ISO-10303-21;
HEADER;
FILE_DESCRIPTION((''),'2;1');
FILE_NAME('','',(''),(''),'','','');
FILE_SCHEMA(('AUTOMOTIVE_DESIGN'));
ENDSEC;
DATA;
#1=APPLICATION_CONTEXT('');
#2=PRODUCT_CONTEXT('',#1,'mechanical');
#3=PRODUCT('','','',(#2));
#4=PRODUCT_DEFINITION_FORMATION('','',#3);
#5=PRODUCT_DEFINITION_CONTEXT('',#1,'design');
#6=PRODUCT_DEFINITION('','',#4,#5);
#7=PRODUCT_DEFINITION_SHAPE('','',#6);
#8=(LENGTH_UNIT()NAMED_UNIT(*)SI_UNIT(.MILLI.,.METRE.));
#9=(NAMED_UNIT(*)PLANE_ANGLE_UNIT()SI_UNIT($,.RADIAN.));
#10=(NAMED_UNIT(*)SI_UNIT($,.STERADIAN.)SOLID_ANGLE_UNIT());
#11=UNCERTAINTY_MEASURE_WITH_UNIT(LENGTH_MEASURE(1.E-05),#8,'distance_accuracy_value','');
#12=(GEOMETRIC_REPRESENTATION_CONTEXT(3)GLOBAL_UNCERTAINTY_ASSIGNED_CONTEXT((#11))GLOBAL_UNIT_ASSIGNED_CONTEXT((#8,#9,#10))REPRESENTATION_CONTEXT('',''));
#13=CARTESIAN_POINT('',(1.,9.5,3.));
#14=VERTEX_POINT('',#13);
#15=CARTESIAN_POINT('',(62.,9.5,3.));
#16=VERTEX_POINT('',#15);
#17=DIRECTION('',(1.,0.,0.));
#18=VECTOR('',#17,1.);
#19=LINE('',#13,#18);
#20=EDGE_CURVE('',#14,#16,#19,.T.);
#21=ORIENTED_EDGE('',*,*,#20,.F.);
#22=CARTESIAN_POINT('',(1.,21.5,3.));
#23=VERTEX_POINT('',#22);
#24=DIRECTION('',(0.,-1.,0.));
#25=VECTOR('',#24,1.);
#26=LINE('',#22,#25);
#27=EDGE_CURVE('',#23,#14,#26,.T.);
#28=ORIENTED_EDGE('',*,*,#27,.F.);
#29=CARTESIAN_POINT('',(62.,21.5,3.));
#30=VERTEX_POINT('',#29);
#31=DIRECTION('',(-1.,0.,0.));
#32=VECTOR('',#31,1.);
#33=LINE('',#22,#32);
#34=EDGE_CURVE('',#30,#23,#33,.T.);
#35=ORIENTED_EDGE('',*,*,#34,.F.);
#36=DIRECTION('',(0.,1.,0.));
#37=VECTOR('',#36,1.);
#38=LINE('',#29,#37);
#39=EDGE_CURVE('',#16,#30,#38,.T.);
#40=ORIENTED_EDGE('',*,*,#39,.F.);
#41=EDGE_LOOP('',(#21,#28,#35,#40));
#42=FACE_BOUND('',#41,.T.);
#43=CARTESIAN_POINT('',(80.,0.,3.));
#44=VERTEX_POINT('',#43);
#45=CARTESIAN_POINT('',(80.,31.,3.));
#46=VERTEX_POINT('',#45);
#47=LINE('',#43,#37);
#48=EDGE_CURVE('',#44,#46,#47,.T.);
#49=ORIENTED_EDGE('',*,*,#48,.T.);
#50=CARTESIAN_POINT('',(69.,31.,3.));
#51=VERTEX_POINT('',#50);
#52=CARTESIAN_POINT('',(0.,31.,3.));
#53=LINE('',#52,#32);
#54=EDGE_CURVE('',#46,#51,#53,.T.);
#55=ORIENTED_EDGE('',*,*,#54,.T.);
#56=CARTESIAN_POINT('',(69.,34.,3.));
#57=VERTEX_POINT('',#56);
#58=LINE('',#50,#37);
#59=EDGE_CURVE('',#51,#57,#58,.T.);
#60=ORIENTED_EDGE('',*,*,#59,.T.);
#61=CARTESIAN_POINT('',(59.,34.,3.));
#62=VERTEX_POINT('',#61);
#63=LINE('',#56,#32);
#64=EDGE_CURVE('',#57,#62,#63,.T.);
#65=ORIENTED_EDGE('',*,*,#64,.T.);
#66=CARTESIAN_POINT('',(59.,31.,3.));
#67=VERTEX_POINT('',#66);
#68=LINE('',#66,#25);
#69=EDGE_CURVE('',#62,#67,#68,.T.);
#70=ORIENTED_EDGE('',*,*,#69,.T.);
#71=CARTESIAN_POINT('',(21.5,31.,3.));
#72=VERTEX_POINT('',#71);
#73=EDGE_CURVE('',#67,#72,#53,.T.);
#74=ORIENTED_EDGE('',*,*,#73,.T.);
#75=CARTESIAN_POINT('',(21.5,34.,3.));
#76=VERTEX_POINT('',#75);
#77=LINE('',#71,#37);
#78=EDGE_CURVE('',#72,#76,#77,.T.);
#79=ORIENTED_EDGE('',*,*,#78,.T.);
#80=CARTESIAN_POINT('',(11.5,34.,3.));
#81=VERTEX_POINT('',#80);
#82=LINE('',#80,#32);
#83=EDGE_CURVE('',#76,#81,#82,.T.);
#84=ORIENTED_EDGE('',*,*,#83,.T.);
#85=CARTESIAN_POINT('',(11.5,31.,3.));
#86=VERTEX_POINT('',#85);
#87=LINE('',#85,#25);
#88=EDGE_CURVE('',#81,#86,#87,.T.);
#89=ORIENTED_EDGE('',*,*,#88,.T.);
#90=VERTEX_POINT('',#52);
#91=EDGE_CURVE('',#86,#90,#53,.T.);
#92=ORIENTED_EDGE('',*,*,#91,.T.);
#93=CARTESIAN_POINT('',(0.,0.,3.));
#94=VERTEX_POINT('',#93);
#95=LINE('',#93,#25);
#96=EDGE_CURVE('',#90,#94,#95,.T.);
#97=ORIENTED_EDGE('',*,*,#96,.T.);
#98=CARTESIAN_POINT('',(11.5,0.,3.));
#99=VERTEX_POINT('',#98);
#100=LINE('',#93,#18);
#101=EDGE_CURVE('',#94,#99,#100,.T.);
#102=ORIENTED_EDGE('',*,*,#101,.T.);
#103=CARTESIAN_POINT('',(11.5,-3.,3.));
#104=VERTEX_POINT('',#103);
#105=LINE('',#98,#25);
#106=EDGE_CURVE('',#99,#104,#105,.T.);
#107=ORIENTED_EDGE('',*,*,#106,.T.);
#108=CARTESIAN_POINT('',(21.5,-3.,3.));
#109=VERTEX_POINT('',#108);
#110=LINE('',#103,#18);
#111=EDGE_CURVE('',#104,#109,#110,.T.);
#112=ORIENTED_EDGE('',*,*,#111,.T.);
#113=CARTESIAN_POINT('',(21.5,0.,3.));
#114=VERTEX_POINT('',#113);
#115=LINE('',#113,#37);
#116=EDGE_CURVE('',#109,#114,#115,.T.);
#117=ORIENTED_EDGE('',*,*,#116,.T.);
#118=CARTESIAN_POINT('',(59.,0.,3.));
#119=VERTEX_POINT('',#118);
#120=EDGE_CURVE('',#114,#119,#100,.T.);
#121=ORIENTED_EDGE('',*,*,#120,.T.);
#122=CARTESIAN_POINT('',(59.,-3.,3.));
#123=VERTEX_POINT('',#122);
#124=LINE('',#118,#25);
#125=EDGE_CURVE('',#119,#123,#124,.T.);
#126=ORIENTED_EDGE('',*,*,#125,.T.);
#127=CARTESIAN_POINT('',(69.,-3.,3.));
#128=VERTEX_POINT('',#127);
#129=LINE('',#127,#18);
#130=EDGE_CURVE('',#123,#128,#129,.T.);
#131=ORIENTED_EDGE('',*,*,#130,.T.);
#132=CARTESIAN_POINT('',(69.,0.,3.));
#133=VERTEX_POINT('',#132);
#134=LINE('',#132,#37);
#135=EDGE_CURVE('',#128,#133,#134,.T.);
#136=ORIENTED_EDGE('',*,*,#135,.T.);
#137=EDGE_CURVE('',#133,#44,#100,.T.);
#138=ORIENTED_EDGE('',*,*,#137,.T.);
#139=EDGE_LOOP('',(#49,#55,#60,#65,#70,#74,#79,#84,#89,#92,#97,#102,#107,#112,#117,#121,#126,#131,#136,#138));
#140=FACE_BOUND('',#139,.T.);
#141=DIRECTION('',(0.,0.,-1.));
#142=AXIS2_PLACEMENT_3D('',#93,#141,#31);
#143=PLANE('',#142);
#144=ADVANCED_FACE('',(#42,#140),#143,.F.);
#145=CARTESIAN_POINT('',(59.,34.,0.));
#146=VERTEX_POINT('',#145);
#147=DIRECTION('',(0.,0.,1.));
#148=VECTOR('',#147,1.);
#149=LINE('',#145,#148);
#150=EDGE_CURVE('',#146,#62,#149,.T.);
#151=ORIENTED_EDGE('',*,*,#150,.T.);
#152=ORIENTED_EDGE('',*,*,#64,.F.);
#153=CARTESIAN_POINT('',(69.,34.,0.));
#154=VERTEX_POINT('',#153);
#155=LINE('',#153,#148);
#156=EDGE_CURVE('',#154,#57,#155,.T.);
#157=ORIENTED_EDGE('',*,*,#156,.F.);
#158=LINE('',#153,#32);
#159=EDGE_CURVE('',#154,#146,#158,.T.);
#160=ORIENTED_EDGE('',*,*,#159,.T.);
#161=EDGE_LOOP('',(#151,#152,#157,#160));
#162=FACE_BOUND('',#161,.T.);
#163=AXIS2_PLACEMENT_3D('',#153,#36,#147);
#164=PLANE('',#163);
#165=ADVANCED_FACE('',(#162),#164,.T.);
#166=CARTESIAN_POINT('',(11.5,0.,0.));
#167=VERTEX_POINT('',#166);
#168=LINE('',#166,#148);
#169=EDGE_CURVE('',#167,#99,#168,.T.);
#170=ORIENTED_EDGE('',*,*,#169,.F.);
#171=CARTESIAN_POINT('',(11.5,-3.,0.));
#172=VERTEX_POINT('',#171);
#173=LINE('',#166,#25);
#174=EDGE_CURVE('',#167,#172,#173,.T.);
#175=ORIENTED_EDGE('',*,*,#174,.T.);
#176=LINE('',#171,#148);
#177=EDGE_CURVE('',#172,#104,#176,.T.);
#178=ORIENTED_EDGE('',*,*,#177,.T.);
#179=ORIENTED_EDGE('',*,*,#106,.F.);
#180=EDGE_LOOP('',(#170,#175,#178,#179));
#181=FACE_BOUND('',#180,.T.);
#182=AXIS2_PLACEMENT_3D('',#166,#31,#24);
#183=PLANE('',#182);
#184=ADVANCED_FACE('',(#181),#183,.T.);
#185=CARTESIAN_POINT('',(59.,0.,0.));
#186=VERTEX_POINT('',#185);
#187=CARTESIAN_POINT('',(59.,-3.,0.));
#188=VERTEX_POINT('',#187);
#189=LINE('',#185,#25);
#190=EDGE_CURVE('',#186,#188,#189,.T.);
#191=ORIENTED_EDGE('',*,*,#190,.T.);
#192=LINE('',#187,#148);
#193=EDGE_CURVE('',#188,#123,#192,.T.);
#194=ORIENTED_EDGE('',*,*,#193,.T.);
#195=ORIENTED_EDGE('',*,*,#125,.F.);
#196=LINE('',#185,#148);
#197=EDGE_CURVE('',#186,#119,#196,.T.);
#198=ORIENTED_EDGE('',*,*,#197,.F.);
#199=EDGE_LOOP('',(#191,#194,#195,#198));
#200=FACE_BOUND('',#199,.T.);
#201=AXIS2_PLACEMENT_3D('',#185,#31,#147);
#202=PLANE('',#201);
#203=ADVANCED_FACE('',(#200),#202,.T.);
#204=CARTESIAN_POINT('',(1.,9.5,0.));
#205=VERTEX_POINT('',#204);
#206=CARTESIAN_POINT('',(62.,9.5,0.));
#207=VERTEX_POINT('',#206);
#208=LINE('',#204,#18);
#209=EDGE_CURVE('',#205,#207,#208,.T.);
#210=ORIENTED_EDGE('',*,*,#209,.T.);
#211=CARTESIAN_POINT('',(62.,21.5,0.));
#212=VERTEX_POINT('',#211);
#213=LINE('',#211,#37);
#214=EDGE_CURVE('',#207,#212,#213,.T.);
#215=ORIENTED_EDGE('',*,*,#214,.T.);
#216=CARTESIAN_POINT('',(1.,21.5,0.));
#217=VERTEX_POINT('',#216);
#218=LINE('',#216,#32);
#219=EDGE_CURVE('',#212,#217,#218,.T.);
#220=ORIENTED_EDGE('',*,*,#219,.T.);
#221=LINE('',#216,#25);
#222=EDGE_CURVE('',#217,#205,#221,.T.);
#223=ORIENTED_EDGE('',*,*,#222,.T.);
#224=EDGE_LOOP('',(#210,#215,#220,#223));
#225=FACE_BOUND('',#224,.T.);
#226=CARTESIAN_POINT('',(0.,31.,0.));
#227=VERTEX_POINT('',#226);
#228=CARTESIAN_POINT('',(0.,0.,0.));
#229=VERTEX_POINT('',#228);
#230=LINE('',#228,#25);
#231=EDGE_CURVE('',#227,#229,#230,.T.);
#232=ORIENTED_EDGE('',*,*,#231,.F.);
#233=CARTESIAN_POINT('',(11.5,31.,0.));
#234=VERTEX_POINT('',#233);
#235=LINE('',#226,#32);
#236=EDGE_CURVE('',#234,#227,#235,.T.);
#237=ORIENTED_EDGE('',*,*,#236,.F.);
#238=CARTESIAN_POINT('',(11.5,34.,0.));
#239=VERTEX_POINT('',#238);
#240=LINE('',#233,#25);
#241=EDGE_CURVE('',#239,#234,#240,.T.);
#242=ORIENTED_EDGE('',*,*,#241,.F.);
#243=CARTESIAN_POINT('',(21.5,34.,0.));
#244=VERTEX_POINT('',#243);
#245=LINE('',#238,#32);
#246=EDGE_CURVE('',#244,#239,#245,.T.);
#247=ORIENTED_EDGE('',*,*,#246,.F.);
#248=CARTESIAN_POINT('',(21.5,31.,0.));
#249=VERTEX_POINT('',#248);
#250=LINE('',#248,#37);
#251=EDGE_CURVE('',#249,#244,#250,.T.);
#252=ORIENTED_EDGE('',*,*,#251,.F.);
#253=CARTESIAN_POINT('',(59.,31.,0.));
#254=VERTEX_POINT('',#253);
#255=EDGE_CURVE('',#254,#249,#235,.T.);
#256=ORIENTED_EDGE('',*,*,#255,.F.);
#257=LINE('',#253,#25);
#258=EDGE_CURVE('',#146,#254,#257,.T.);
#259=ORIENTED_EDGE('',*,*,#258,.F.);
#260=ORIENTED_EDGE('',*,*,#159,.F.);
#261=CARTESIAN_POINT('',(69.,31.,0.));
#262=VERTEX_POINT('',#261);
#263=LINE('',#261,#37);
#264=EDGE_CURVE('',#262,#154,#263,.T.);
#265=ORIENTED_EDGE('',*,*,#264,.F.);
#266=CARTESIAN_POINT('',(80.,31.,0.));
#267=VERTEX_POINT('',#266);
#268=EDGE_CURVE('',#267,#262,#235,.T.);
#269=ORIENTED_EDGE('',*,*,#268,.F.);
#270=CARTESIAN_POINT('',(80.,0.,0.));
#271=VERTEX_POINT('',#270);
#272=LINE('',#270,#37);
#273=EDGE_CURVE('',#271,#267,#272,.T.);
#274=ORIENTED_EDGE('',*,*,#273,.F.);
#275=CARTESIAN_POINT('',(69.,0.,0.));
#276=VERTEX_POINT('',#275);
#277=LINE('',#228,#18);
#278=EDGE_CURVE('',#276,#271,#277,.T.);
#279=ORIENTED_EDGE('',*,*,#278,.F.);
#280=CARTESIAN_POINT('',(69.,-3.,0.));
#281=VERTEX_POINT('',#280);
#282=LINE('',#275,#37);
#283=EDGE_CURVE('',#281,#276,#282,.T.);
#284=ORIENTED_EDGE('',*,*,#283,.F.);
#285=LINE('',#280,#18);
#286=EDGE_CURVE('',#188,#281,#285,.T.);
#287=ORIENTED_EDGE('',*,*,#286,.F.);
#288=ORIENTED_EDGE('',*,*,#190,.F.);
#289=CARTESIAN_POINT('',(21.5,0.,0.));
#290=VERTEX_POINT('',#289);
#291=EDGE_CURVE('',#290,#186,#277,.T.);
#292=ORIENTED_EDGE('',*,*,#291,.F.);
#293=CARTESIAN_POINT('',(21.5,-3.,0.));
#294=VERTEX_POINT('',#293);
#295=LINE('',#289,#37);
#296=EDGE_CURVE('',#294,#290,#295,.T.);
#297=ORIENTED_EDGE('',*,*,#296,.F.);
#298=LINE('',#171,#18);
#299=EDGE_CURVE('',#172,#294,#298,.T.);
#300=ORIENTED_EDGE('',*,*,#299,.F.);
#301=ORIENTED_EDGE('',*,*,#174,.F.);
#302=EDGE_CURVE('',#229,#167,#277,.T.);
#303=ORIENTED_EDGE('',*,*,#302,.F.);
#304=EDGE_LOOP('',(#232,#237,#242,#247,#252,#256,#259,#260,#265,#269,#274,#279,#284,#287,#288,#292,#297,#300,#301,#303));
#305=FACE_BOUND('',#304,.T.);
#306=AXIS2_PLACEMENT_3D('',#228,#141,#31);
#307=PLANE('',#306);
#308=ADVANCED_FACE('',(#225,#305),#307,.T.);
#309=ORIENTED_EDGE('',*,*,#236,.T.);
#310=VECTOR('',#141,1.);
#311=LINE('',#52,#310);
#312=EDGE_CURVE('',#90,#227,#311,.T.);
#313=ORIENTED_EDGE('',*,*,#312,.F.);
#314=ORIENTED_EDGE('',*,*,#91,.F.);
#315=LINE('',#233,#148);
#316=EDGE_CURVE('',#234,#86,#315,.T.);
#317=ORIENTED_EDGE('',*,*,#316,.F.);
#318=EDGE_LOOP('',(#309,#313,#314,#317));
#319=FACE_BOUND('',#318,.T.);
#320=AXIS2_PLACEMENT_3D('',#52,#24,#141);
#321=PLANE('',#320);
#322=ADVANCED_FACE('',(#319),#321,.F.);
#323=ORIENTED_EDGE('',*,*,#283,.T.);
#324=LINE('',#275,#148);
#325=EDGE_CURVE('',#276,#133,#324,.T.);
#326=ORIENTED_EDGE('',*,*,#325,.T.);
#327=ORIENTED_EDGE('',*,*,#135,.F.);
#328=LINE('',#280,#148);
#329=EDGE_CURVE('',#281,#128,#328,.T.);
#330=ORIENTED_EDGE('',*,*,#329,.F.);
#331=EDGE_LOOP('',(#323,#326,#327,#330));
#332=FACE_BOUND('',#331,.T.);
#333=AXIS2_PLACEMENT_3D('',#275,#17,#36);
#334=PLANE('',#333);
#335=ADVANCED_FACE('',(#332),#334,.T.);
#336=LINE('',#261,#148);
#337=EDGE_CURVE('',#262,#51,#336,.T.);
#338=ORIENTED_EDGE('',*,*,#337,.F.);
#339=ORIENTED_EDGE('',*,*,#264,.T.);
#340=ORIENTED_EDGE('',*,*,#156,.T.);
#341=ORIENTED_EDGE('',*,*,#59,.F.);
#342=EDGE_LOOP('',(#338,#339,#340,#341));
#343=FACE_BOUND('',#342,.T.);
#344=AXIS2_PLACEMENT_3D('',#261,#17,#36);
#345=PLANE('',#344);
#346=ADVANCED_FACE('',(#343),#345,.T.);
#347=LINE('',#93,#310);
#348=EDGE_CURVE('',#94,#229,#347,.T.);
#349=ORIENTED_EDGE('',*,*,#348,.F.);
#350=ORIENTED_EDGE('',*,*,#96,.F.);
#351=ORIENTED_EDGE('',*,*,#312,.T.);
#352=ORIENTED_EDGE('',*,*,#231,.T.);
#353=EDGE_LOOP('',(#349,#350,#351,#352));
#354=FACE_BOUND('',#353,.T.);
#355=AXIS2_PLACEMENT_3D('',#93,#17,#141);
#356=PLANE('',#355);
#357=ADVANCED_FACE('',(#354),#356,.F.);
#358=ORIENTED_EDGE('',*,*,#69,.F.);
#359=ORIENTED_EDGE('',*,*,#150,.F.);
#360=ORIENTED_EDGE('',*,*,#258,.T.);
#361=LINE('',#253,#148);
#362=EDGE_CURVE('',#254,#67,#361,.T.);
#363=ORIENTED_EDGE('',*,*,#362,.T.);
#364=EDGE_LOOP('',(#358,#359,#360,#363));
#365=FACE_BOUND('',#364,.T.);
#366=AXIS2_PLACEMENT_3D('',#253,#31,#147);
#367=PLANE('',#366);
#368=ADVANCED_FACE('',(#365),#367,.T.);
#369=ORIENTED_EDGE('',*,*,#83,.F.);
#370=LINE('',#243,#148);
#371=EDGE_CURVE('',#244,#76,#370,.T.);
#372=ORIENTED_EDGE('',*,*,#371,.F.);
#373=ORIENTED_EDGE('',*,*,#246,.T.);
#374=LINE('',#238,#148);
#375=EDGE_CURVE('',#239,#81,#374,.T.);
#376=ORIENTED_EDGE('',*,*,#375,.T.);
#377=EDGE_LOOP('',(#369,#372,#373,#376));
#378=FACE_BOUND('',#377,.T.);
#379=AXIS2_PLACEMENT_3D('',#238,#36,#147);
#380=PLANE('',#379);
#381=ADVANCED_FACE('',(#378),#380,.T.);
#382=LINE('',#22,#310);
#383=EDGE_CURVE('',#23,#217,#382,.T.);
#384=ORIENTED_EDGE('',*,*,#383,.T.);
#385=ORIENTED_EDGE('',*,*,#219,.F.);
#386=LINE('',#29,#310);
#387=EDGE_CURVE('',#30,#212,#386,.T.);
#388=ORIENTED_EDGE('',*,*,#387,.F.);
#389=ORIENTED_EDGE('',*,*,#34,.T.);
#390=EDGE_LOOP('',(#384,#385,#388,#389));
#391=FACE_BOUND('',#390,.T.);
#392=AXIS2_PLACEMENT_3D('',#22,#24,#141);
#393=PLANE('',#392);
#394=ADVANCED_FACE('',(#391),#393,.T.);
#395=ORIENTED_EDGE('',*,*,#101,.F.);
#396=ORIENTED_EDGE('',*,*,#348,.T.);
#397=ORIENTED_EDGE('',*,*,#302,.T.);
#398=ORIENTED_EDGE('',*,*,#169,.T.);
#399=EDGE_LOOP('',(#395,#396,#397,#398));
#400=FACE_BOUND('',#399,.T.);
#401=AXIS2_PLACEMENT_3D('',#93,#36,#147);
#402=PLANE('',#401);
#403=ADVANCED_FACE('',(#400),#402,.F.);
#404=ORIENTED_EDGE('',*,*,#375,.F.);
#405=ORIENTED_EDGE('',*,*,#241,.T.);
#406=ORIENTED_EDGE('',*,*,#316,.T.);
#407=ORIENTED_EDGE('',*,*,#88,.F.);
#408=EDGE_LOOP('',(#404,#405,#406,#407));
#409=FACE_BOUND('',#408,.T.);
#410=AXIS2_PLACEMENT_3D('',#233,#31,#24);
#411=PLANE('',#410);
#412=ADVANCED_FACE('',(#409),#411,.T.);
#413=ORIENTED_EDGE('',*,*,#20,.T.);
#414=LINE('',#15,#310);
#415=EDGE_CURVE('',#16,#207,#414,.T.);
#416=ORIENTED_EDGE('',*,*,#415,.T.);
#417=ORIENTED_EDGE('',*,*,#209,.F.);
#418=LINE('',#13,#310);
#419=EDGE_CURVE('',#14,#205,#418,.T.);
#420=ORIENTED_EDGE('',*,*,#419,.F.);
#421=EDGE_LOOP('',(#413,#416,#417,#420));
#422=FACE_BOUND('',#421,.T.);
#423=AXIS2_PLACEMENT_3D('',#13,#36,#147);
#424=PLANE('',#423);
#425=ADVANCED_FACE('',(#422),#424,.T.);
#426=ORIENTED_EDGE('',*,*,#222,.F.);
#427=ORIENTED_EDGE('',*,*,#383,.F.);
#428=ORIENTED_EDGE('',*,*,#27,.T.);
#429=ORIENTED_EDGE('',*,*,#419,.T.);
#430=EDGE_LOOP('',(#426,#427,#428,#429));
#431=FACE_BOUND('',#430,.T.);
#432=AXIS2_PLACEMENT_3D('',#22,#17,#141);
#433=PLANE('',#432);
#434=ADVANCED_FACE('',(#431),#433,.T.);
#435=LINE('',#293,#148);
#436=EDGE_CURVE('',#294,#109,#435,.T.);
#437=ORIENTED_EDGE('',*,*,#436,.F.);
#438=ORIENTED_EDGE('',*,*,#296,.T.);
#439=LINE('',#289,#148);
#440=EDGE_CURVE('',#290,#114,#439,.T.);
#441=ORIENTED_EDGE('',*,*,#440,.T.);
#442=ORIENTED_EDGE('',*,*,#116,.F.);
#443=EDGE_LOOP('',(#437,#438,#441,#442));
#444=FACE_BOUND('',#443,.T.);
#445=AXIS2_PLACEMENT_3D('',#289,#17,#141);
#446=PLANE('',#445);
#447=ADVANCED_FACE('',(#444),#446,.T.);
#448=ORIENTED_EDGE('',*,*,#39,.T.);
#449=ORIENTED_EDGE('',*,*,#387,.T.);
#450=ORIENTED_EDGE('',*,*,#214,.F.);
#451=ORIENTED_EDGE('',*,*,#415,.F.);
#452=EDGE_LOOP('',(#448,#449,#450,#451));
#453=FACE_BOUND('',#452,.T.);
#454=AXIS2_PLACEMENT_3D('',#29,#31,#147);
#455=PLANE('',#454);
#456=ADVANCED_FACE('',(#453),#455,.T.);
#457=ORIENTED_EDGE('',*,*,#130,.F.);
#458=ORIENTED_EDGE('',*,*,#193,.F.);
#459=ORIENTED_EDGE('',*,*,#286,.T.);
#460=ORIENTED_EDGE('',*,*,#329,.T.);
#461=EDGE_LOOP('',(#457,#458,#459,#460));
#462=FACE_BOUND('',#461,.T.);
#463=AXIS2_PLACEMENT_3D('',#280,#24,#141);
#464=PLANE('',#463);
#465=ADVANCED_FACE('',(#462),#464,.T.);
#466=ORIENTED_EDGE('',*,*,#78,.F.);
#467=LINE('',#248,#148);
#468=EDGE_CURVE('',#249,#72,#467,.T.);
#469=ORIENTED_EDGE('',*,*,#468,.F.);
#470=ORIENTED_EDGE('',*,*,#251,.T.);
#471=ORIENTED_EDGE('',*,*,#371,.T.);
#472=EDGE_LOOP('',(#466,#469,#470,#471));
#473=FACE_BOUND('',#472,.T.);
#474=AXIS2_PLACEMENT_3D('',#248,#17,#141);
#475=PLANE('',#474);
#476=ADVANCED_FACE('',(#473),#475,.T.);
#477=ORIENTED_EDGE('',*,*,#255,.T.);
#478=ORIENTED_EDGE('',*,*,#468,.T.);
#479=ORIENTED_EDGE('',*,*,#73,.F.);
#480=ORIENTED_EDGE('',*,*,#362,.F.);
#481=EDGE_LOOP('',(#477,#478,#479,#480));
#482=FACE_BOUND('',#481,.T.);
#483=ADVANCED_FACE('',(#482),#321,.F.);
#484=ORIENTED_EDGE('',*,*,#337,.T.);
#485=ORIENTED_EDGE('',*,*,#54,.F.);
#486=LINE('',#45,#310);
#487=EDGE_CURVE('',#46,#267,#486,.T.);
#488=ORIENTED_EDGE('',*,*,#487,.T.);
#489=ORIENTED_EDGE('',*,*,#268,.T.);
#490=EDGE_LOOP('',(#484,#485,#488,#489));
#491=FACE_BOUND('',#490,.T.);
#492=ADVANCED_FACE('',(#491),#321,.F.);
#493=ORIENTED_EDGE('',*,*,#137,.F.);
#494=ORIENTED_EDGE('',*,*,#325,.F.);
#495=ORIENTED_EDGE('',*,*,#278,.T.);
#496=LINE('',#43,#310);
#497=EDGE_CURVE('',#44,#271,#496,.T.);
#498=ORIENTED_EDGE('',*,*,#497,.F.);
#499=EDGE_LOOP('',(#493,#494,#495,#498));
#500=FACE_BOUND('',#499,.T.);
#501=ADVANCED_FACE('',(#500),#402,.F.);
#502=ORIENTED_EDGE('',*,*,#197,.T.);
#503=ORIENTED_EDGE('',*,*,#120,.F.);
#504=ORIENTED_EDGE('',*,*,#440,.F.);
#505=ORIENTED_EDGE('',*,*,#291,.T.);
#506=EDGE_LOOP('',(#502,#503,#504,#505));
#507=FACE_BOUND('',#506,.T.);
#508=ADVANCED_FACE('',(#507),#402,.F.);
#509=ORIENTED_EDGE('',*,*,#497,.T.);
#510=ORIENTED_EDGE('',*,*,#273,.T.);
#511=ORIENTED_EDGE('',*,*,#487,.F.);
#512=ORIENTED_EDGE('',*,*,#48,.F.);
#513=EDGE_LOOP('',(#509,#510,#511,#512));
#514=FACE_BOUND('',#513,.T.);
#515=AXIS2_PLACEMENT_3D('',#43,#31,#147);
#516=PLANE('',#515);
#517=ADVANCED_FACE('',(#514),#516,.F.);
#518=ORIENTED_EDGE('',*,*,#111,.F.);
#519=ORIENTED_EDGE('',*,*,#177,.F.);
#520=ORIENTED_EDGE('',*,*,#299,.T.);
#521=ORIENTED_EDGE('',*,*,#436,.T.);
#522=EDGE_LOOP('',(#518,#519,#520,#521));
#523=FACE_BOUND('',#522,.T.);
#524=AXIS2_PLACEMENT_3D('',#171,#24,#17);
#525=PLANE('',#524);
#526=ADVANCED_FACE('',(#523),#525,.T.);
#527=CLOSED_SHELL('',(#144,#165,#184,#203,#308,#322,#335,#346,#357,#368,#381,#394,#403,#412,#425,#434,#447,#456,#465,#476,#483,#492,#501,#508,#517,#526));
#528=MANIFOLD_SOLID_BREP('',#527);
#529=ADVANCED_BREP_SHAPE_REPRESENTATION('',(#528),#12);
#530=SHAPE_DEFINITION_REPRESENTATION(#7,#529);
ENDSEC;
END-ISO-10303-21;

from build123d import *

# Parameters (mm, degrees)
SKETCH_1_W      = 80
SKETCH_1_H      = 31
SKETCH_1_W_2    = 61
SKETCH_1_H_2    = 12
EXTRUDE_1_DEPTH = 3
SKETCH_2_W      = 10
SKETCH_2_H      = 3
EXTRUDE_2_DEPTH = 3


with BuildPart() as part:
    # 草图1 → 凸台-拉伸1 (new body)
    with BuildSketch(Plane.XY):
        with Locations((40, 15.5)):
            Rectangle(SKETCH_1_W, SKETCH_1_H)
        with Locations((31.5, 15.5)):
            Rectangle(SKETCH_1_W_2, SKETCH_1_H_2, mode=Mode.SUBTRACT)
    extrude(amount=EXTRUDE_1_DEPTH)

    # 草图2 → 凸台-拉伸2 (add)
    with BuildSketch(Plane.XY.offset(3)):
        with Locations((16.5, 32.5)):
            Rectangle(SKETCH_2_W, SKETCH_2_H)
        with Locations((64, 32.5)):
            Rectangle(SKETCH_2_W, SKETCH_2_H)
        with Locations((64, -1.5)):
            Rectangle(SKETCH_2_W, SKETCH_2_H)
        with Locations((16.5, -1.5)):
            Rectangle(SKETCH_2_W, SKETCH_2_H)
    extrude(amount=-EXTRUDE_2_DEPTH)


solid = part.part
